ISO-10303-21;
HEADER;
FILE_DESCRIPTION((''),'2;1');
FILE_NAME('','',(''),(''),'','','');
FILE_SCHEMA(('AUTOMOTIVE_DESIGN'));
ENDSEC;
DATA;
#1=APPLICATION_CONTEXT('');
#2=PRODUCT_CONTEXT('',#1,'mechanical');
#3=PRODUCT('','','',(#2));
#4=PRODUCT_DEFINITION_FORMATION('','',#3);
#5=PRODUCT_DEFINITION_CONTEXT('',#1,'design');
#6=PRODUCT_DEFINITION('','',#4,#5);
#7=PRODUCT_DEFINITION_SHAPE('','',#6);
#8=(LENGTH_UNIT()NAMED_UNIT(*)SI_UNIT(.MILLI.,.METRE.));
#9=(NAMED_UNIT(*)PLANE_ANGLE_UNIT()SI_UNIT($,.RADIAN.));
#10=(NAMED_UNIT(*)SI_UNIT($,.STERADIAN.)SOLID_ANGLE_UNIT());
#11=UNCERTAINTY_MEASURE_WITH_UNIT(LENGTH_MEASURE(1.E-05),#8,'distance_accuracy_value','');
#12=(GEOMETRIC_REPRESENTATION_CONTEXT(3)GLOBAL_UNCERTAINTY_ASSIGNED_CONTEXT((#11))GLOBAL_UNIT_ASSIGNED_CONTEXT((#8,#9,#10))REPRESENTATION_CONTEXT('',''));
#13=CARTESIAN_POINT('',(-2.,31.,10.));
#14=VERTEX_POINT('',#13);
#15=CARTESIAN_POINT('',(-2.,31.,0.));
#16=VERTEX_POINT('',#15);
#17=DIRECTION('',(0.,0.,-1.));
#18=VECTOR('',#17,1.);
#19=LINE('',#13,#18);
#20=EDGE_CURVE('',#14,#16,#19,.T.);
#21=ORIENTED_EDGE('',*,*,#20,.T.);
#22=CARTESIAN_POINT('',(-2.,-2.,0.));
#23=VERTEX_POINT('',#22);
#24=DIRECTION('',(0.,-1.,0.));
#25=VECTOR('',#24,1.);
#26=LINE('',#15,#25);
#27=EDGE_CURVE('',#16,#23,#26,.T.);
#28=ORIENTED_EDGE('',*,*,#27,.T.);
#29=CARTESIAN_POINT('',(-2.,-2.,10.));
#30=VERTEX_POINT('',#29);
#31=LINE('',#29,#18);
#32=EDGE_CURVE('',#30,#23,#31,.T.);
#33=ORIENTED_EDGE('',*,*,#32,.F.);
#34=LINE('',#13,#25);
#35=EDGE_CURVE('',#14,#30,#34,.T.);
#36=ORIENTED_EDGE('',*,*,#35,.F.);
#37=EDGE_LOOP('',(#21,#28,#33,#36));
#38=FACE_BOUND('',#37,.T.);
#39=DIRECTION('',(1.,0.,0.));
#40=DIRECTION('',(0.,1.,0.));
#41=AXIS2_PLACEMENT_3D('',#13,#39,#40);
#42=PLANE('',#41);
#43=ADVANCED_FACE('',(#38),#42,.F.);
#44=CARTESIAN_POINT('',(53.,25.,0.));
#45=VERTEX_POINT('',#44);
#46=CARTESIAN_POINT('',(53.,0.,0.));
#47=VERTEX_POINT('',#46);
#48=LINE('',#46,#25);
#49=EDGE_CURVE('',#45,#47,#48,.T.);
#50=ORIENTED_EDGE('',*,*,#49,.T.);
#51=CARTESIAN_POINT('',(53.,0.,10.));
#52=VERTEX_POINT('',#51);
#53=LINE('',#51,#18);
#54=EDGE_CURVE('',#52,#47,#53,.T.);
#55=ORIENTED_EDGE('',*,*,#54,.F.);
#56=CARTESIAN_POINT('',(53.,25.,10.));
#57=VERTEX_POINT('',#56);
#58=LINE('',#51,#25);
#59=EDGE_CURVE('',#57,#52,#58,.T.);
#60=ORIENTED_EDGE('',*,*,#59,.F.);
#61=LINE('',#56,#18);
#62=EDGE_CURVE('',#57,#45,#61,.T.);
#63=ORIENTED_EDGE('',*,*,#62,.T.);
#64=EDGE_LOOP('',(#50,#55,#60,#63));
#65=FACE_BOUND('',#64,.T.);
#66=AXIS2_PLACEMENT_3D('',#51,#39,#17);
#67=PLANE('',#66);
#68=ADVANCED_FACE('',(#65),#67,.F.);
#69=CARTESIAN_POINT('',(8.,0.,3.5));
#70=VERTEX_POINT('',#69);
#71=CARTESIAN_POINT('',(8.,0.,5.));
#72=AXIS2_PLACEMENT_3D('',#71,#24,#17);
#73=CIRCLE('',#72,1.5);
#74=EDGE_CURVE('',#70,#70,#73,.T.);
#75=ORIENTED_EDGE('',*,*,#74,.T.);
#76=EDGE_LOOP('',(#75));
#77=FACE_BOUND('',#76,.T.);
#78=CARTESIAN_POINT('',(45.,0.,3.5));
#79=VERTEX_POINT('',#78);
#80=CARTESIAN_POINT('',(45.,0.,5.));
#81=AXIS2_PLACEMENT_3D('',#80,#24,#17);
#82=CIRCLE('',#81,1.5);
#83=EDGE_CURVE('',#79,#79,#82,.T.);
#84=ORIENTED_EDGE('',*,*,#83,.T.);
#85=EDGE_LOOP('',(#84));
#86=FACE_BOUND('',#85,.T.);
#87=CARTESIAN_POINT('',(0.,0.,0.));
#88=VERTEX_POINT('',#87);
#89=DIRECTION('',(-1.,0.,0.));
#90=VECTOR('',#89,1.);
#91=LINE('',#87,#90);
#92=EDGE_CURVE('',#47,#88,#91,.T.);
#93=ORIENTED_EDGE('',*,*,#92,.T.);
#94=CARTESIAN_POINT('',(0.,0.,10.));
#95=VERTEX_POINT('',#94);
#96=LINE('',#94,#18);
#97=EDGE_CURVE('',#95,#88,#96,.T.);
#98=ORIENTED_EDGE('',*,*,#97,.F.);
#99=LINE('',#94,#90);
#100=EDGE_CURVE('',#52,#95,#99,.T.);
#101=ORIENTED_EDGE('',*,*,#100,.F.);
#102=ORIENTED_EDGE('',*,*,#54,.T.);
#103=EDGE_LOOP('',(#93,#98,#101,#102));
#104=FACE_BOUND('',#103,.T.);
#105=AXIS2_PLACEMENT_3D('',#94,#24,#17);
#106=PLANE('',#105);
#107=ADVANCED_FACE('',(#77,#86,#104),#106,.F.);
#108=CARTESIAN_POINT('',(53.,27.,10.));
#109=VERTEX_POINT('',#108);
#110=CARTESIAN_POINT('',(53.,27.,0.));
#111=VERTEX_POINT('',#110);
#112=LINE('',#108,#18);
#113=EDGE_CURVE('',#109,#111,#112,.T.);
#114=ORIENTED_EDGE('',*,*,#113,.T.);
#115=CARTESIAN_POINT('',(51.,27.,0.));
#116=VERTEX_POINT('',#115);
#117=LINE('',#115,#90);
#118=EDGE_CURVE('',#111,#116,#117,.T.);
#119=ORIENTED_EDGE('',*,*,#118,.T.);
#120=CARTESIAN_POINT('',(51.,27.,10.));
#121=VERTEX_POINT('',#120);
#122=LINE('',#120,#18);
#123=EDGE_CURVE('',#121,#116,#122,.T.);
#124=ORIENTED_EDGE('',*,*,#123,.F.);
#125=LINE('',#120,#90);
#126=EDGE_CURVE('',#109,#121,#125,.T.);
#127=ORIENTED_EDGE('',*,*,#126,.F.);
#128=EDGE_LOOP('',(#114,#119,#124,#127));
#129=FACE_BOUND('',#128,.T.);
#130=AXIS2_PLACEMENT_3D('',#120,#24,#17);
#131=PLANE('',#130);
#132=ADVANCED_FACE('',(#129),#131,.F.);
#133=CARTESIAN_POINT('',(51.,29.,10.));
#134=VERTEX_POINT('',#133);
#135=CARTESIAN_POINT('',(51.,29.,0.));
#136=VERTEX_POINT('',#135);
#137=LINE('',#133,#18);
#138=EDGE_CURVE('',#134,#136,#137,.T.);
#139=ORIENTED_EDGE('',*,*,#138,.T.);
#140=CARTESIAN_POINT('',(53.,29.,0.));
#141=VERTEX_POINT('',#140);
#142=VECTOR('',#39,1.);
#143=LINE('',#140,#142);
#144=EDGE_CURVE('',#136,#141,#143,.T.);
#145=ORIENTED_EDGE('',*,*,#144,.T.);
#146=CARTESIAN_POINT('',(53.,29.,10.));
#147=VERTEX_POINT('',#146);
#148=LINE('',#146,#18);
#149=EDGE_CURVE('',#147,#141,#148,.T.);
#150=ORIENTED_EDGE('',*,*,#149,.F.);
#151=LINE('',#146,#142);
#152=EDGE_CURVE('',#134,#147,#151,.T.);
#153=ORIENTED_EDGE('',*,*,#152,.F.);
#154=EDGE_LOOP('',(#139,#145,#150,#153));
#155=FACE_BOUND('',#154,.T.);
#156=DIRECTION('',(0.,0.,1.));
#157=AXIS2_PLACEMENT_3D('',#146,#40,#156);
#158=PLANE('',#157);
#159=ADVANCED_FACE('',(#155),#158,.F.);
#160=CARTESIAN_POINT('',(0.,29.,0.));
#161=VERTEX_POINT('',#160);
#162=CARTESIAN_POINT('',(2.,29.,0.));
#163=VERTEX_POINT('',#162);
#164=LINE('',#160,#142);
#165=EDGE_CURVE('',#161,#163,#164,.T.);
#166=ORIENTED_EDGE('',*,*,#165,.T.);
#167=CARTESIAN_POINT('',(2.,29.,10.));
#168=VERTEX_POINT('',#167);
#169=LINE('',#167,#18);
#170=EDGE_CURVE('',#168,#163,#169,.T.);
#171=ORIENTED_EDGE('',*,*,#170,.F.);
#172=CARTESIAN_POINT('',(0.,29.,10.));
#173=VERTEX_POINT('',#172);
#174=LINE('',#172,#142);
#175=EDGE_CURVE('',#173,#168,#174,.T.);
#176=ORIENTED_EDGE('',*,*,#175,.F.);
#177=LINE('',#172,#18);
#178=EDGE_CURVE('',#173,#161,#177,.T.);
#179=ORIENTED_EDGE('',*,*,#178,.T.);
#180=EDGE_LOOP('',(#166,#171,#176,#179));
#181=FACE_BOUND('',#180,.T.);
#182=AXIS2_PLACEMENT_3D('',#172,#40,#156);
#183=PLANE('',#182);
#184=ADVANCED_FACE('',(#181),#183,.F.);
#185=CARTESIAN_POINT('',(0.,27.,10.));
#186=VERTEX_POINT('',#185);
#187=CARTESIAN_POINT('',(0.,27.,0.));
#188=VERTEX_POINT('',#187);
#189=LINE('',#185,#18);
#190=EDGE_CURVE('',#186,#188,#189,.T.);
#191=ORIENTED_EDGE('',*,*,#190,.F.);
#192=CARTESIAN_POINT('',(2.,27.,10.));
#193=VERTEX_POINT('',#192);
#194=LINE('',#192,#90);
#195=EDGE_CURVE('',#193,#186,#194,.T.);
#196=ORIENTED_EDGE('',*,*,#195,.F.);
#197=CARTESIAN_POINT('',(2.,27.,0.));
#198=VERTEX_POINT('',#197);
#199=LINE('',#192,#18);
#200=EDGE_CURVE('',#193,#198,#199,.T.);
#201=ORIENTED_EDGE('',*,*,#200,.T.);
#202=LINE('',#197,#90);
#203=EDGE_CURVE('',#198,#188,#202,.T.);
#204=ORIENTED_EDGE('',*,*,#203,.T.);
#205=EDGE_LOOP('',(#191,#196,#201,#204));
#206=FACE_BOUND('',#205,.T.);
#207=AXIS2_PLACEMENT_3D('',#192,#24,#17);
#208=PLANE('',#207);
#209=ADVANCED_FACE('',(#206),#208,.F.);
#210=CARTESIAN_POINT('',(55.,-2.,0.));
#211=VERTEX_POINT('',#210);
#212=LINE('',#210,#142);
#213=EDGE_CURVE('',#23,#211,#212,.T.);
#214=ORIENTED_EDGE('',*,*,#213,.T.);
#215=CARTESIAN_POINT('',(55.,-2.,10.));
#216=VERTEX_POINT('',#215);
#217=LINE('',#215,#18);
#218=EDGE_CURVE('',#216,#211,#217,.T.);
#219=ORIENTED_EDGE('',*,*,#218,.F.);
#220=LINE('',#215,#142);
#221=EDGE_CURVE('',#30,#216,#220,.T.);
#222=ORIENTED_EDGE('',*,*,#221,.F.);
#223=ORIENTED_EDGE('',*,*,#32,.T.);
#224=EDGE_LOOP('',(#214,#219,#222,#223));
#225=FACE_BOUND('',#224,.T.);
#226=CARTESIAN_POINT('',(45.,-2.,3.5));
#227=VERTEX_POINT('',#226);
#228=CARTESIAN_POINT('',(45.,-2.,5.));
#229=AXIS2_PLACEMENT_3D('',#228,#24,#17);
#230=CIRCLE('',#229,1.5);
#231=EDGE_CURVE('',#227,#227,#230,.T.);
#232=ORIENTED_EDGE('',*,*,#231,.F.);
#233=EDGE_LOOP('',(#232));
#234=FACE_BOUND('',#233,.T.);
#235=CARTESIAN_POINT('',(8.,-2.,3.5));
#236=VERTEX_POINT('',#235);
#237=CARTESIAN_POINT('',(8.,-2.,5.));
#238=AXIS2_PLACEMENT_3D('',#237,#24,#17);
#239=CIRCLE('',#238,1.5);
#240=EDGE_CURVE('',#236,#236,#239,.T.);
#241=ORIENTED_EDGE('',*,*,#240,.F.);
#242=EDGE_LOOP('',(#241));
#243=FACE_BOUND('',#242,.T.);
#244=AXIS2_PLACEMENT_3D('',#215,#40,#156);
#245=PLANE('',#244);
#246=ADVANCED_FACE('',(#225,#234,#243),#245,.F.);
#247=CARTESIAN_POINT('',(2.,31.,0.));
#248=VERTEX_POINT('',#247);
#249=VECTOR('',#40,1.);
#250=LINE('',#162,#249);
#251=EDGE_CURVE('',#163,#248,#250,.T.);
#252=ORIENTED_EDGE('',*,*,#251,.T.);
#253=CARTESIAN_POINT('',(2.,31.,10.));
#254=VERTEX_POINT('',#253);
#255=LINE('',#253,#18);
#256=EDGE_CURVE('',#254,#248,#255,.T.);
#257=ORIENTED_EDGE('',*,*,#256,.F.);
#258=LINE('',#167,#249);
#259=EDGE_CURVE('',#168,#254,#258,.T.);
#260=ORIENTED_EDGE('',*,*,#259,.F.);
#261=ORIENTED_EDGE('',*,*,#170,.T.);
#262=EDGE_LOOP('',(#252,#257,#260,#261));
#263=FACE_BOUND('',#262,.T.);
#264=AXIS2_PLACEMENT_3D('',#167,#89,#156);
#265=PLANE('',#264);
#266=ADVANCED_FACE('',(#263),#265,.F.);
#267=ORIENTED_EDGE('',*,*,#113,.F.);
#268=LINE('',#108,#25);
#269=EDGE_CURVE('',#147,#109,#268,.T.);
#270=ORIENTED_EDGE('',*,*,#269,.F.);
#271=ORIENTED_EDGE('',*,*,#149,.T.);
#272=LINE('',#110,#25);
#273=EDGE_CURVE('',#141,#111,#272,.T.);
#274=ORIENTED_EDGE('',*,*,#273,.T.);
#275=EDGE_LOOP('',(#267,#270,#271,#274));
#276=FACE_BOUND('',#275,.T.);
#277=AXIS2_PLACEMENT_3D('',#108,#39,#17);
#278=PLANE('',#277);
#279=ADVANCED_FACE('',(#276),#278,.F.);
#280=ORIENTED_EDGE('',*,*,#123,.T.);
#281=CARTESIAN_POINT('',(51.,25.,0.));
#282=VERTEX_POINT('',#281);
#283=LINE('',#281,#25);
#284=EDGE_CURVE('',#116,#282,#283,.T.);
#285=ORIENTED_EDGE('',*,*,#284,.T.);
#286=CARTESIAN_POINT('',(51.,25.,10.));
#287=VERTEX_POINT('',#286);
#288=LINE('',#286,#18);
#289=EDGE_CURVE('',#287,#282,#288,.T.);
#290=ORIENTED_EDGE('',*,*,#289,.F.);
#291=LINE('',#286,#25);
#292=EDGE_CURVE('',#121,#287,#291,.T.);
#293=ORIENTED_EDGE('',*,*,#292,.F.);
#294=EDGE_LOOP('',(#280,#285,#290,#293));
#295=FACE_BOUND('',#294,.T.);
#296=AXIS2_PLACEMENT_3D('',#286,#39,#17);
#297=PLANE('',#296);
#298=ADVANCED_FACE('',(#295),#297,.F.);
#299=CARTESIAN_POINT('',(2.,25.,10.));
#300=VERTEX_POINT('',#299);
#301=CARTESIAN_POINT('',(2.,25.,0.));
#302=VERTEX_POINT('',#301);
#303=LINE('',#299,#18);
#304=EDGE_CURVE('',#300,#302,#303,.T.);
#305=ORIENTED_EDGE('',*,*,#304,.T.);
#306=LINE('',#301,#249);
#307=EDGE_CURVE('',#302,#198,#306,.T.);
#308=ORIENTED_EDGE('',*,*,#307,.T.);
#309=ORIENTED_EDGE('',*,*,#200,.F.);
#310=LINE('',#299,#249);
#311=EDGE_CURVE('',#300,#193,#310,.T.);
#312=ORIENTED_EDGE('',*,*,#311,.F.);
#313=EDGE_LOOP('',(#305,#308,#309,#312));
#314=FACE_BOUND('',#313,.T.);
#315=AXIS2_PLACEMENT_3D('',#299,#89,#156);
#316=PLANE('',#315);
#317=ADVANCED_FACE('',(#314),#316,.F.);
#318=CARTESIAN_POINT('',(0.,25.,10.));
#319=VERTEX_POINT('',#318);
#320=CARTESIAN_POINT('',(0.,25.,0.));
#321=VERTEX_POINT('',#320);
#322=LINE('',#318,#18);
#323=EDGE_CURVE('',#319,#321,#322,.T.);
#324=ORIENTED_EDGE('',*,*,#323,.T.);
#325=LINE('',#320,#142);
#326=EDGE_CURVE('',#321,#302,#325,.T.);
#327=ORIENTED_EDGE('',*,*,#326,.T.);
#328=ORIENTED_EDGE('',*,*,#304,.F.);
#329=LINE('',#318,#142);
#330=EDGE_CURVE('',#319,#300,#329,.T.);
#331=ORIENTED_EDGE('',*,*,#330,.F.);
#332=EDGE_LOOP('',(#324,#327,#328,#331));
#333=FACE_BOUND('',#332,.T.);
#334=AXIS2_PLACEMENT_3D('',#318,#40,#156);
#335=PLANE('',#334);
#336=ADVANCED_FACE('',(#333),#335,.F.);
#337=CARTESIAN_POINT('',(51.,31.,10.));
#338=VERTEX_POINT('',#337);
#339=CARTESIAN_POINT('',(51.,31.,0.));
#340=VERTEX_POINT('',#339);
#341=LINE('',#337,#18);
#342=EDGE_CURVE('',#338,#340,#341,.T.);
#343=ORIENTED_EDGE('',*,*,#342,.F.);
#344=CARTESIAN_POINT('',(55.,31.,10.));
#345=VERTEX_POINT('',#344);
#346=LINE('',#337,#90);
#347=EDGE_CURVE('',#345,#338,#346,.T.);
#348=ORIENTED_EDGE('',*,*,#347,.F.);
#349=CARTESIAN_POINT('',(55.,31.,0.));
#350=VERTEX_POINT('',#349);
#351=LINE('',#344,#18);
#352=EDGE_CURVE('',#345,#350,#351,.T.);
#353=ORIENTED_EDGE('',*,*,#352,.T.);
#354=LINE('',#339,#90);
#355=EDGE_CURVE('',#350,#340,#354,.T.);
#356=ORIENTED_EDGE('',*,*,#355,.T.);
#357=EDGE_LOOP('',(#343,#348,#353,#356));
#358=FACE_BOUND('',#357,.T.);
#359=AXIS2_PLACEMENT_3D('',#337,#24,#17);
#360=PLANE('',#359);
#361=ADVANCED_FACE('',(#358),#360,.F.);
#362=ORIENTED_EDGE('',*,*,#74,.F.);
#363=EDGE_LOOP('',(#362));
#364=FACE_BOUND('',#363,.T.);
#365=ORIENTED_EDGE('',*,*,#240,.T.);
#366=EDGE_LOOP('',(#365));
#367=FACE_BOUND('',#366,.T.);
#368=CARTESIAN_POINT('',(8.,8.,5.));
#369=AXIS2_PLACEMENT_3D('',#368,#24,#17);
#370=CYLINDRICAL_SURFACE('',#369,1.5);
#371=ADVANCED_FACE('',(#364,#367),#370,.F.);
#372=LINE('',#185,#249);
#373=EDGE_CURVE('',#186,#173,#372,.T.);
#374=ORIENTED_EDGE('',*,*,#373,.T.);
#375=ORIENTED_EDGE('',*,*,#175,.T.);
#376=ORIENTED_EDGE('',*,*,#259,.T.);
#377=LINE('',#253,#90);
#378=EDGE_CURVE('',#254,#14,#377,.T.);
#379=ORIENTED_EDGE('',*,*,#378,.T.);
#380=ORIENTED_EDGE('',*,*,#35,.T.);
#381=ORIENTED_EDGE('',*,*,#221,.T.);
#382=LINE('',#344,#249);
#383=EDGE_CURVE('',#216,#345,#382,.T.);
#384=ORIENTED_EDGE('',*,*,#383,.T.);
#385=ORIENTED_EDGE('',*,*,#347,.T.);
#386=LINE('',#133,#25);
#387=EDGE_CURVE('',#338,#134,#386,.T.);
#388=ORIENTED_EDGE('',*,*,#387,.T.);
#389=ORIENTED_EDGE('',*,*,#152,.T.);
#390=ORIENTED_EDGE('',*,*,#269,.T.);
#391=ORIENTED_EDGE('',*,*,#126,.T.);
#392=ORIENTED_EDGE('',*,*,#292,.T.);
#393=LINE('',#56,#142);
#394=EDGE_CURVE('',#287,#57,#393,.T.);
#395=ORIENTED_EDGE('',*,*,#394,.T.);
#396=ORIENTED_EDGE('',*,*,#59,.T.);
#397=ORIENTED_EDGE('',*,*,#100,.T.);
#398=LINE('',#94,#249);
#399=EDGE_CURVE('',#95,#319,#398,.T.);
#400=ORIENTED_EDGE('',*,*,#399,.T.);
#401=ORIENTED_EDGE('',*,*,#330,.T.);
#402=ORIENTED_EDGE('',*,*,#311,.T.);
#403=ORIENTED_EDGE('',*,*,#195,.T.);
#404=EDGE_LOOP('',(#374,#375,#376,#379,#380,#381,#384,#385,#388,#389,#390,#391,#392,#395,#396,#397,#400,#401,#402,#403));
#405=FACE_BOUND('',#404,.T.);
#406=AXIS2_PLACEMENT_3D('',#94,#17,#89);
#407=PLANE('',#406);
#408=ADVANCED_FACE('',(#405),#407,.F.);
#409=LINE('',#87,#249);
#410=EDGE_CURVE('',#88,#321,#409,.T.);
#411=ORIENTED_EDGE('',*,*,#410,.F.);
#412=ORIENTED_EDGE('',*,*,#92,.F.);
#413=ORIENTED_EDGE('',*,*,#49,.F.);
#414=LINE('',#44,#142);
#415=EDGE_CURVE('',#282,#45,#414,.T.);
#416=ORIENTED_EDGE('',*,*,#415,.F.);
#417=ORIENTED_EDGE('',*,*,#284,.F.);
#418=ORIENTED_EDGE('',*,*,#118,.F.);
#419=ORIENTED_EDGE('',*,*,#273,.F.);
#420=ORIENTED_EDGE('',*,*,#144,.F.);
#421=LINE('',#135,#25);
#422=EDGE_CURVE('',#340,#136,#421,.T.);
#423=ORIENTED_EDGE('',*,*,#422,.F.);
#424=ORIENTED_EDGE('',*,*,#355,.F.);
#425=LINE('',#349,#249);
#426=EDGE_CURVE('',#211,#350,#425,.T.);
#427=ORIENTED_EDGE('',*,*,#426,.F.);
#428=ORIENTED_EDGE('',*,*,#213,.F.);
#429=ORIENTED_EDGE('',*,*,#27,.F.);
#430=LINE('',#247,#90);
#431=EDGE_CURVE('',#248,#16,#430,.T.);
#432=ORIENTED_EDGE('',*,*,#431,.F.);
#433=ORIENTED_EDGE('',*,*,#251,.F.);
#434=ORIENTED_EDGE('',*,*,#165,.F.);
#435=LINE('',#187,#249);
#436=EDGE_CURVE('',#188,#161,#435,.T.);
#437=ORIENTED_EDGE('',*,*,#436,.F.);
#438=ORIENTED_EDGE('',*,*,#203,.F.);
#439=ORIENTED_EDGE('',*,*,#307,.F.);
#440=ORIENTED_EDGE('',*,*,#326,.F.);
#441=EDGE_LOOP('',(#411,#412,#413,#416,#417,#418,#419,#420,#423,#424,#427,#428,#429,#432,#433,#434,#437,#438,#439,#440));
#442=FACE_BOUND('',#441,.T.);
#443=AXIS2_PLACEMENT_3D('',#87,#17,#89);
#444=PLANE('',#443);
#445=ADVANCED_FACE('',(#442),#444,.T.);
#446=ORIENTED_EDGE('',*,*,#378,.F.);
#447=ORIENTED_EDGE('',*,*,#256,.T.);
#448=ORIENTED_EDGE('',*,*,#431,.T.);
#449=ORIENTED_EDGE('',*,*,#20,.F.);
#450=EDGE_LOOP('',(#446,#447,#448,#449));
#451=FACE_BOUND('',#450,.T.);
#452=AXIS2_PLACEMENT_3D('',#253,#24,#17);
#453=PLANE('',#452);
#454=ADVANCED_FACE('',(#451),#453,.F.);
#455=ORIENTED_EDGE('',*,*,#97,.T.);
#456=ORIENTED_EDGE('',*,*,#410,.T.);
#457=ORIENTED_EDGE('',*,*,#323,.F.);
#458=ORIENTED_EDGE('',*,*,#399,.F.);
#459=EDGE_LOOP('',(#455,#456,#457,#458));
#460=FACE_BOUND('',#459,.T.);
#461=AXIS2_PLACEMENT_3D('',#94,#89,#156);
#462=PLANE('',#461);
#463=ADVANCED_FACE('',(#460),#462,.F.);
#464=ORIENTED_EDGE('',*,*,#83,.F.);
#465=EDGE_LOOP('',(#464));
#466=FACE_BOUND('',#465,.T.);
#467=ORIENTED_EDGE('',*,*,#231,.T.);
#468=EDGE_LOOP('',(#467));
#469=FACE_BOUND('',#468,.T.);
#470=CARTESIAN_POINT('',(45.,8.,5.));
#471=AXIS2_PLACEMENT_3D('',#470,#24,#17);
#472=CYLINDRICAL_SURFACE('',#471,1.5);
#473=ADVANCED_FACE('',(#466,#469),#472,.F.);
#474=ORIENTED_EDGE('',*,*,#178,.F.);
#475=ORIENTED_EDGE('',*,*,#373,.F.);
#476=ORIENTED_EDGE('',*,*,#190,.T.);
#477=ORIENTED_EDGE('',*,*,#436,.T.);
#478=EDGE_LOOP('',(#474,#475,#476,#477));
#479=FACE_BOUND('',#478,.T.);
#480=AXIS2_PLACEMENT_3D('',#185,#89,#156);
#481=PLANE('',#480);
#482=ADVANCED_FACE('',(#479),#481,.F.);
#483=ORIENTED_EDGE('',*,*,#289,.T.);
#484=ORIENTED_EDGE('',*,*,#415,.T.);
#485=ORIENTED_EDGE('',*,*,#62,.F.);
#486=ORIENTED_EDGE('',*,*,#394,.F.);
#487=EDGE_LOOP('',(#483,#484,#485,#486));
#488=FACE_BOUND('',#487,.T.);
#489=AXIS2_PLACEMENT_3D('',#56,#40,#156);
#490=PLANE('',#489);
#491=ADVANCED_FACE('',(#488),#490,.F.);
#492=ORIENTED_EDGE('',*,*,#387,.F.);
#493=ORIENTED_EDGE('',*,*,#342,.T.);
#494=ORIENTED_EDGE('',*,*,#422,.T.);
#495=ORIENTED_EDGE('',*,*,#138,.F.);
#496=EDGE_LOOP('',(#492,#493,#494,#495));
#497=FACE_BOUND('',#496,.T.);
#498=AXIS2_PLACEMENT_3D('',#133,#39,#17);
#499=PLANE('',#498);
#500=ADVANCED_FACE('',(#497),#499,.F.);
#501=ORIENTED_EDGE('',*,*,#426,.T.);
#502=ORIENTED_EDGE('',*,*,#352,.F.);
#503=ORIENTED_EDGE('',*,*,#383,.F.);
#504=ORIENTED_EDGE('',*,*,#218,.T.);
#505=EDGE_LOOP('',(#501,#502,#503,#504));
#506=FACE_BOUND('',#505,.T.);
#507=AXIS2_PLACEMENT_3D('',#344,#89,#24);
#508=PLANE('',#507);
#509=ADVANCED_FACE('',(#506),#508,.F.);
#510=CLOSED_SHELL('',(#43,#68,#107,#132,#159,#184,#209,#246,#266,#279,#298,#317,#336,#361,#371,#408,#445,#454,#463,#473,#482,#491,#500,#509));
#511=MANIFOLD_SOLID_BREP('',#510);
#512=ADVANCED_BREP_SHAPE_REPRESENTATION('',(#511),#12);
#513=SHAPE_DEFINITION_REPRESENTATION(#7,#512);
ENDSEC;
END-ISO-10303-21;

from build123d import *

# Parameters (mm, degrees)
SALIENTE_EXTRUIR1_DEPTH = 10
CROQUIS2_R              = 1.5
CORTAR_EXTRUIR1_DEPTH   = 10


with BuildPart() as part:
    # Croquis1 → Saliente-Extruir1 (new body)
    with BuildSketch(Plane.XY):
        Polygon((0, 0), (53, 0), (53, 25), (51, 25), (51, 27), (53, 27), (53, 29), (51, 29), (51, 31), (55, 31), (55, -2), (-2, -2), (-2, 31), (2, 31), (2, 29), (0, 29), (0, 27), (2, 27), (2, 25), (0, 25), align=None)
    extrude(amount=SALIENTE_EXTRUIR1_DEPTH)

    # Croquis2 → Cortar-Extruir1 (cut)
    with BuildSketch(Plane.XZ.offset(2)):
        with Locations((45, 5)):
            Circle(CROQUIS2_R)
        with Locations((8, 5)):
            Circle(CROQUIS2_R)
    extrude(amount=-CORTAR_EXTRUIR1_DEPTH, mode=Mode.SUBTRACT)


solid = part.part
